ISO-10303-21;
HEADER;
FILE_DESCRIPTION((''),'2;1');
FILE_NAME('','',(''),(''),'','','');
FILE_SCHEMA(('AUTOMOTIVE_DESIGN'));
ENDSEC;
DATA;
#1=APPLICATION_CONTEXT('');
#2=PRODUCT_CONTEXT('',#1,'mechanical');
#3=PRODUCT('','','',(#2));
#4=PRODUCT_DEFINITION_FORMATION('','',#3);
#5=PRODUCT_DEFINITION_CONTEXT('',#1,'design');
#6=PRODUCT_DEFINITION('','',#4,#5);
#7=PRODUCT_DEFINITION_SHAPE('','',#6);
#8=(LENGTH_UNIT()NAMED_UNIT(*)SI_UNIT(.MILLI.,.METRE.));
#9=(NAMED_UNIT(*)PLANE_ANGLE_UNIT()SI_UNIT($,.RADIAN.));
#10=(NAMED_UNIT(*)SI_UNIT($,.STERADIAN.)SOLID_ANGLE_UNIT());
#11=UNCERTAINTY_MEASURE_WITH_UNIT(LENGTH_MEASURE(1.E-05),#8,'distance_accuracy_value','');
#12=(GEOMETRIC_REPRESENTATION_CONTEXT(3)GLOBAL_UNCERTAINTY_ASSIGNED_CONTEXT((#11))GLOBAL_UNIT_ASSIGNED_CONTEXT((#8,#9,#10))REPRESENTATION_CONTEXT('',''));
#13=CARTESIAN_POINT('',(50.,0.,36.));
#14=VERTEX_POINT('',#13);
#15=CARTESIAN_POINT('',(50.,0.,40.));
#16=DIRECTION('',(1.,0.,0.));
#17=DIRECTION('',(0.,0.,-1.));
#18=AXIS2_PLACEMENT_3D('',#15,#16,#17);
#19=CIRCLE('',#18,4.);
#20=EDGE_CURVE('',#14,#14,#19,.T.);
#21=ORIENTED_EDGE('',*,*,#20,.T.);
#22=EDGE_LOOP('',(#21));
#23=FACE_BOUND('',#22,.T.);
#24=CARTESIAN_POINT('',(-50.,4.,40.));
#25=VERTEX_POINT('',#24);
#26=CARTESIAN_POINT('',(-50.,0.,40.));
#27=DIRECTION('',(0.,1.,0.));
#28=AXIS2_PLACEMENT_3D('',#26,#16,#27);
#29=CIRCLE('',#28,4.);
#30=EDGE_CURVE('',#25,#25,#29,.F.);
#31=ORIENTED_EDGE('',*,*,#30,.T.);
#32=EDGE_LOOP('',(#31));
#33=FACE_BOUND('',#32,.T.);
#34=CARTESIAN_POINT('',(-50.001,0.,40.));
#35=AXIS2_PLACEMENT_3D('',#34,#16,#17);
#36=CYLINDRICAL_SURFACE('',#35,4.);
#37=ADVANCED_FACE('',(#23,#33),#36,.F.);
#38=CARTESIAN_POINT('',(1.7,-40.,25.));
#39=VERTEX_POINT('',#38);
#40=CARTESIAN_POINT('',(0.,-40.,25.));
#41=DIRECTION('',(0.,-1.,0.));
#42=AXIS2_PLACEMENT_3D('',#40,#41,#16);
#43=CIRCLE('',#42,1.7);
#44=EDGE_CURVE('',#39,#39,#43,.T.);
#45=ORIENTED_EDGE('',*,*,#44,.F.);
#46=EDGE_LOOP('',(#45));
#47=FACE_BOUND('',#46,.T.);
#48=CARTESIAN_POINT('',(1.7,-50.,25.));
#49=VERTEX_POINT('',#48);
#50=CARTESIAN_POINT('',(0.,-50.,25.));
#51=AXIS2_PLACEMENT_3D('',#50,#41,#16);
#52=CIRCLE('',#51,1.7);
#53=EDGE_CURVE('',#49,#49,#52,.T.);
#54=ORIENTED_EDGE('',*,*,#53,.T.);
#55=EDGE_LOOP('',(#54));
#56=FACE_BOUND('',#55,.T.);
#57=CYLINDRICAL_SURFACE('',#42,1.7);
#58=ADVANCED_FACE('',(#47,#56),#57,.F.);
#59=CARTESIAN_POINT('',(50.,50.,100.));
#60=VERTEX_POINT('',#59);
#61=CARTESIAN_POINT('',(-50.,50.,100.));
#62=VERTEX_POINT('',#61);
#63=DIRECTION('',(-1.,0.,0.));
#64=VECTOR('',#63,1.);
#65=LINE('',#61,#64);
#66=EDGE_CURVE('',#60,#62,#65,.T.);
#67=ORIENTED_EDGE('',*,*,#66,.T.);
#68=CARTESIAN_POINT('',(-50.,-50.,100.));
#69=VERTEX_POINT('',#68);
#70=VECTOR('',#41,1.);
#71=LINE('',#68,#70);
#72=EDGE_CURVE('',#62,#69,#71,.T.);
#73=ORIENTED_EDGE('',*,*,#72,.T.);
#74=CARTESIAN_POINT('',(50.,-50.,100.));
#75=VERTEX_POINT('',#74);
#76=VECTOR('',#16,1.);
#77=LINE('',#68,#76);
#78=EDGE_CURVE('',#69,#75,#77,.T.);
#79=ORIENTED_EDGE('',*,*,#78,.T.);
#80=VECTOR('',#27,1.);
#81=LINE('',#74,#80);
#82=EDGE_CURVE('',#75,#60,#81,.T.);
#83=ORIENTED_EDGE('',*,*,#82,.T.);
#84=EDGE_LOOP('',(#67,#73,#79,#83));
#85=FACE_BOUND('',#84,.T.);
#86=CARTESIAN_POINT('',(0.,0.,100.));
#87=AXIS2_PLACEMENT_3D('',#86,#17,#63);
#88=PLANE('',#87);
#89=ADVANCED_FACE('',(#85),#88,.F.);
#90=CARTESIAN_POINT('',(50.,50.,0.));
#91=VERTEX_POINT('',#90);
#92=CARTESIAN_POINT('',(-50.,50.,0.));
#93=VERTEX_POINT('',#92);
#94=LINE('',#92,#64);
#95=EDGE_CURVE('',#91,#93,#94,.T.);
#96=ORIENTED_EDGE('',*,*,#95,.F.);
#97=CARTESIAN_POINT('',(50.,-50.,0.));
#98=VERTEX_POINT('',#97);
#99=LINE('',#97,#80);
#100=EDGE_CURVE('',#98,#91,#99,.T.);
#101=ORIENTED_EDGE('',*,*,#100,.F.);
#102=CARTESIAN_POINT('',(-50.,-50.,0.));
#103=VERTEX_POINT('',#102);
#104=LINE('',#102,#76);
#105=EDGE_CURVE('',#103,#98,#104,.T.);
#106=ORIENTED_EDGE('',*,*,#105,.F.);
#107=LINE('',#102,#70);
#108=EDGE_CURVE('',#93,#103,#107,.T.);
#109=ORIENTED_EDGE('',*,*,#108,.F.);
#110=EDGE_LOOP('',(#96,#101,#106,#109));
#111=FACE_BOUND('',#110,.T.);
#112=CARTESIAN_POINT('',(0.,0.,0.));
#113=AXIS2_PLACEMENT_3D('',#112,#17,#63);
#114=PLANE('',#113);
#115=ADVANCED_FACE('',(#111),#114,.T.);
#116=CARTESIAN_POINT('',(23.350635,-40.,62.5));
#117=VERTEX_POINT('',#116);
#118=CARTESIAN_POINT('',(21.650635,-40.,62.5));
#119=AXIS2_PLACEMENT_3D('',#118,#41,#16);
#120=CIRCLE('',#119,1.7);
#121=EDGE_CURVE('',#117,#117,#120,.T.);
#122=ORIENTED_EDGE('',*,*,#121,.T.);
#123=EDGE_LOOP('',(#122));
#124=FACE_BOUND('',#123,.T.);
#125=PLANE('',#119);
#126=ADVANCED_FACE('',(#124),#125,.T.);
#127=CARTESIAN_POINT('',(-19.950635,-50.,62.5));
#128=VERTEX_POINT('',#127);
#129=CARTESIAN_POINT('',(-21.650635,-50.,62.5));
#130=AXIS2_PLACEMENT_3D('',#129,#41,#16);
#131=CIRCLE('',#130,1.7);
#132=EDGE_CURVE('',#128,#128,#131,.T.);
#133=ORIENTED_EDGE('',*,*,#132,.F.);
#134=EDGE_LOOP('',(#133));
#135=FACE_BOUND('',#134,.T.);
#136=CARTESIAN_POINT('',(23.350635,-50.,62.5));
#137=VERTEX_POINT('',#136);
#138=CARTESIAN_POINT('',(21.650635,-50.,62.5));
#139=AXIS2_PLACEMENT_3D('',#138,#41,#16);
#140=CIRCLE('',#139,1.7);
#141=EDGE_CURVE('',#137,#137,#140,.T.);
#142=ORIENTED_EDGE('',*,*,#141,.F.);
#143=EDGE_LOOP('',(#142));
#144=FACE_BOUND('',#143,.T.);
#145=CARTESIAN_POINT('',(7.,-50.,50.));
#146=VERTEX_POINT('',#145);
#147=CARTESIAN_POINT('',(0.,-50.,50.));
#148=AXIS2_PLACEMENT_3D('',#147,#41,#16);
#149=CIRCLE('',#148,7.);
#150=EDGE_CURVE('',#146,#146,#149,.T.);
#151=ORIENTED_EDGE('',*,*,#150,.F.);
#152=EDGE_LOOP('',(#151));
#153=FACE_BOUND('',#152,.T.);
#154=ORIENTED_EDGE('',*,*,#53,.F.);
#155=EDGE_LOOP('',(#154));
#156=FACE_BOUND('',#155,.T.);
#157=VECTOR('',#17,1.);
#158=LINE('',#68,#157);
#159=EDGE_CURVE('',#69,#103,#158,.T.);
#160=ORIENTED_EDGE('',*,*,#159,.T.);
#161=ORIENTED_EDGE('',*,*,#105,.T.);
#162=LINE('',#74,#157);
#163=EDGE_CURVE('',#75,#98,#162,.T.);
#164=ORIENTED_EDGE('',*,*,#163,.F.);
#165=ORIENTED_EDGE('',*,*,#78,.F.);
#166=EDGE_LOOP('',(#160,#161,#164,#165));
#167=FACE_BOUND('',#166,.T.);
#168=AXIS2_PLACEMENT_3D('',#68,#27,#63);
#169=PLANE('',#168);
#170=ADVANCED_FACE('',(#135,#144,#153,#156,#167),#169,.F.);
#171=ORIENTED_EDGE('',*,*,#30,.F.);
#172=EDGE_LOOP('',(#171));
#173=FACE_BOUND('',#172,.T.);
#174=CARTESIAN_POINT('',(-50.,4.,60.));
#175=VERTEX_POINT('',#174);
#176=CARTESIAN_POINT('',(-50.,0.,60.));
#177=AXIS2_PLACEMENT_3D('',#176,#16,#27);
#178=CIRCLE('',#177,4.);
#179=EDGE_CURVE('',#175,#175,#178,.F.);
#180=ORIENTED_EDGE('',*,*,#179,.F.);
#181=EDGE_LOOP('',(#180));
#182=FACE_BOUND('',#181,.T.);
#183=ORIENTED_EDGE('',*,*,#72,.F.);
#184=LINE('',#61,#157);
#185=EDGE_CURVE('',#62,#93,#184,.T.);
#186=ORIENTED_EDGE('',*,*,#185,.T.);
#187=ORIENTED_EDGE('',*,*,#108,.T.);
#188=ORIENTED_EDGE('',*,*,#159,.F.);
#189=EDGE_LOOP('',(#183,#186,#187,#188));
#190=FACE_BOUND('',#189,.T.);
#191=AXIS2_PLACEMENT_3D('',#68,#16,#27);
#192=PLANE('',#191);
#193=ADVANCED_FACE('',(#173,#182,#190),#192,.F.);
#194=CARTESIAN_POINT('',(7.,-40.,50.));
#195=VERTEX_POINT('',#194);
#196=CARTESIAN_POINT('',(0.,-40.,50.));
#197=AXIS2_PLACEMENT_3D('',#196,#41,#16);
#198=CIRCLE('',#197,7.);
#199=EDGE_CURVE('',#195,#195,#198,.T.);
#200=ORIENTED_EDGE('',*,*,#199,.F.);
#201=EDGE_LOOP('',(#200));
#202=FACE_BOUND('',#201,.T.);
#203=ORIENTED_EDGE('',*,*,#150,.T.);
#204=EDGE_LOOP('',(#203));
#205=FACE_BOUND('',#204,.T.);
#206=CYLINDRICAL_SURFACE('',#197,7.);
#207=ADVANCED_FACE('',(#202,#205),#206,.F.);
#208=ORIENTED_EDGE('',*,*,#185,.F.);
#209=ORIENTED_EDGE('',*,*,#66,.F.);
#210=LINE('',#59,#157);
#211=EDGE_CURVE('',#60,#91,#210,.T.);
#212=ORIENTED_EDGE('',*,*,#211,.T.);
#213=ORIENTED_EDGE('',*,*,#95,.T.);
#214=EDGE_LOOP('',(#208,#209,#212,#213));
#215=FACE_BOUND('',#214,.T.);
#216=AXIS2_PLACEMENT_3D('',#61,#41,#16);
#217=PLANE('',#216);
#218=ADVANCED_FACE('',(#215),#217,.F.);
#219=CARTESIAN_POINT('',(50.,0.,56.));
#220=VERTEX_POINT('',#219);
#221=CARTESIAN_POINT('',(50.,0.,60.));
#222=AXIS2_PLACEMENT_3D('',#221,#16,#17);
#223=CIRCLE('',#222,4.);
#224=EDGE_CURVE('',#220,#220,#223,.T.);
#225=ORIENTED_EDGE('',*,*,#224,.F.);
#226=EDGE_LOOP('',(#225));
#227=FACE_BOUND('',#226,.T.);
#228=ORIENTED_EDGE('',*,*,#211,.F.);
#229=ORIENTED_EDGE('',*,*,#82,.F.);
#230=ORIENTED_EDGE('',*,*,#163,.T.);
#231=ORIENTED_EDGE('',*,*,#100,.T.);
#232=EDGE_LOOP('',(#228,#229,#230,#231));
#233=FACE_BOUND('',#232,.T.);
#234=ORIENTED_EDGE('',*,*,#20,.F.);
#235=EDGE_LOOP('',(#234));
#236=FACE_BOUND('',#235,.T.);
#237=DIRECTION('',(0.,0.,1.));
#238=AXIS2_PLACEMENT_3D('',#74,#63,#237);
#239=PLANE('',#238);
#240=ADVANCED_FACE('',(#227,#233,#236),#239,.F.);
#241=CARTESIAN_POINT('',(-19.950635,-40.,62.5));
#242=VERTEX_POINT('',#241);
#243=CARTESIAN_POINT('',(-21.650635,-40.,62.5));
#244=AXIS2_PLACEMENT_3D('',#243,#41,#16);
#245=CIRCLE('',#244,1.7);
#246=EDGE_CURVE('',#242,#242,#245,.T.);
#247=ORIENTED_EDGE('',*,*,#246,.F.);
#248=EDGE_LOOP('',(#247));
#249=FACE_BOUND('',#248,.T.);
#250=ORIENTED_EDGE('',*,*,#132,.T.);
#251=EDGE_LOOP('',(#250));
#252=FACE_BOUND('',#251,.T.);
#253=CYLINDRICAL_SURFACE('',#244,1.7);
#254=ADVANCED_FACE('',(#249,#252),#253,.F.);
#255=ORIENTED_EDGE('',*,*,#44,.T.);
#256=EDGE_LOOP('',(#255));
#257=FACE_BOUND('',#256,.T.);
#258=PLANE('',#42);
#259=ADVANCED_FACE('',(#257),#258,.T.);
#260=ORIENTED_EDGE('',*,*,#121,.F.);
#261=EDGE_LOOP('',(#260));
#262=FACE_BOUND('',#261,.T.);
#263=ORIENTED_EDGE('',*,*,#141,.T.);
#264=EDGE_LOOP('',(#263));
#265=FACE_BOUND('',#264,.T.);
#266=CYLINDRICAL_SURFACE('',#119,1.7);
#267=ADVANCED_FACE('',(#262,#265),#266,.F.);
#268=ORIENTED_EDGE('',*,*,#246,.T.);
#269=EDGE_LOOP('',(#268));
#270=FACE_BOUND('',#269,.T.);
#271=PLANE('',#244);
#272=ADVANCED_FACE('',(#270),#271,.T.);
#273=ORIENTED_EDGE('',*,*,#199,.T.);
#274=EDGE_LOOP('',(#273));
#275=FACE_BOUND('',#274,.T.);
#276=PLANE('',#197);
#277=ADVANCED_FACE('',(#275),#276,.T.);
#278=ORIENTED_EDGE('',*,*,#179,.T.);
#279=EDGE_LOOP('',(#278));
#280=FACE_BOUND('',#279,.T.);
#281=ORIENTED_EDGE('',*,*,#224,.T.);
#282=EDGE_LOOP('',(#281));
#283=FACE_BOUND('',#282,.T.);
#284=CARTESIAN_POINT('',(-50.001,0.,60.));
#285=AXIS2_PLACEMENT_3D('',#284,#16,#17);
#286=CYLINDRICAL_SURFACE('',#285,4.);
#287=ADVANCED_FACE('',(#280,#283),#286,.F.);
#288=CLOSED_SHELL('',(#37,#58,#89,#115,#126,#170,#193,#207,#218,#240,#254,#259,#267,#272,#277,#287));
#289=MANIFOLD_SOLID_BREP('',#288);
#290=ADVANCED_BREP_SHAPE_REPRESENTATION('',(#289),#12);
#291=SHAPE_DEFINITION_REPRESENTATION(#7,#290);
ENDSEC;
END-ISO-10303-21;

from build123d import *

# Parameters (mm, degrees)
ESBO_O1_W                = 100
ESBO_O1_H                = 100
RESSALTO_EXTRUS_O1_DEPTH = 100
CORTE_EXTRUS_O1_REACH    = 152
ESBO_O2_R                = 4
ESBO_O3_R                = 7
ESBO_O3_R_2              = 1.7
CORTE_EXTRUS_O2_DEPTH    = 10


with BuildPart() as part:
    # Esboço1 → Ressalto-extrusão1 (new body)
    with BuildSketch(Plane.XY):
        Rectangle(ESBO_O1_W, ESBO_O1_H)
    extrude(amount=RESSALTO_EXTRUS_O1_DEPTH)

    # Esboço2 → Corte-extrusão1 (cut, up to next)
    with BuildSketch(Plane(origin=(50, 0, 0), x_dir=(0, 0, -1), z_dir=(1, 0, 0)), mode=Mode.PRIVATE) as corte_extrus_o1_sk1:
        with Locations((-40, 0)):
            Circle(ESBO_O2_R)
    corte_extrus_o1_tool1 = extrude(corte_extrus_o1_sk1.sketch, amount=-CORTE_EXTRUS_O1_REACH, mode=Mode.PRIVATE) & part.part
    # Esboço2 → Corte-extrusão1 (cut, up to next)
    with BuildSketch(Plane(origin=(50, 0, 0), x_dir=(0, 0, -1), z_dir=(1, 0, 0)), mode=Mode.PRIVATE) as corte_extrus_o1_sk2:
        with Locations((-60, 0)):
            Circle(ESBO_O2_R)
    corte_extrus_o1_tool2 = extrude(corte_extrus_o1_sk2.sketch, amount=-CORTE_EXTRUS_O1_REACH, mode=Mode.PRIVATE) & part.part
    add(corte_extrus_o1_tool1.solids().sort_by_distance((50, 0, 40))[0], mode=Mode.SUBTRACT)
    add(corte_extrus_o1_tool2.solids().sort_by_distance((50, 0, 60))[0], mode=Mode.SUBTRACT)

    # Esboço3 → Corte-extrusão2 (cut)
    with BuildSketch(Plane(origin=(0, -50, 0), x_dir=(-1, 0, 0), z_dir=(0, -1, 0))):
        with Locations(Location((0, -50, 0), (0, 0, 180))):
            Circle(ESBO_O3_R)
        with Locations(Location((0, -25, 0), (0, 0, 180))):
            Circle(ESBO_O3_R_2)
        with Locations(Location((21.650635095, -62.5, 0), (0, 0, 180))):
            Circle(ESBO_O3_R_2)
        with Locations(Location((-21.650635095, -62.5, 0), (0, 0, 180))):
            Circle(ESBO_O3_R_2)
    extrude(amount=-CORTE_EXTRUS_O2_DEPTH, mode=Mode.SUBTRACT)


solid = part.part
